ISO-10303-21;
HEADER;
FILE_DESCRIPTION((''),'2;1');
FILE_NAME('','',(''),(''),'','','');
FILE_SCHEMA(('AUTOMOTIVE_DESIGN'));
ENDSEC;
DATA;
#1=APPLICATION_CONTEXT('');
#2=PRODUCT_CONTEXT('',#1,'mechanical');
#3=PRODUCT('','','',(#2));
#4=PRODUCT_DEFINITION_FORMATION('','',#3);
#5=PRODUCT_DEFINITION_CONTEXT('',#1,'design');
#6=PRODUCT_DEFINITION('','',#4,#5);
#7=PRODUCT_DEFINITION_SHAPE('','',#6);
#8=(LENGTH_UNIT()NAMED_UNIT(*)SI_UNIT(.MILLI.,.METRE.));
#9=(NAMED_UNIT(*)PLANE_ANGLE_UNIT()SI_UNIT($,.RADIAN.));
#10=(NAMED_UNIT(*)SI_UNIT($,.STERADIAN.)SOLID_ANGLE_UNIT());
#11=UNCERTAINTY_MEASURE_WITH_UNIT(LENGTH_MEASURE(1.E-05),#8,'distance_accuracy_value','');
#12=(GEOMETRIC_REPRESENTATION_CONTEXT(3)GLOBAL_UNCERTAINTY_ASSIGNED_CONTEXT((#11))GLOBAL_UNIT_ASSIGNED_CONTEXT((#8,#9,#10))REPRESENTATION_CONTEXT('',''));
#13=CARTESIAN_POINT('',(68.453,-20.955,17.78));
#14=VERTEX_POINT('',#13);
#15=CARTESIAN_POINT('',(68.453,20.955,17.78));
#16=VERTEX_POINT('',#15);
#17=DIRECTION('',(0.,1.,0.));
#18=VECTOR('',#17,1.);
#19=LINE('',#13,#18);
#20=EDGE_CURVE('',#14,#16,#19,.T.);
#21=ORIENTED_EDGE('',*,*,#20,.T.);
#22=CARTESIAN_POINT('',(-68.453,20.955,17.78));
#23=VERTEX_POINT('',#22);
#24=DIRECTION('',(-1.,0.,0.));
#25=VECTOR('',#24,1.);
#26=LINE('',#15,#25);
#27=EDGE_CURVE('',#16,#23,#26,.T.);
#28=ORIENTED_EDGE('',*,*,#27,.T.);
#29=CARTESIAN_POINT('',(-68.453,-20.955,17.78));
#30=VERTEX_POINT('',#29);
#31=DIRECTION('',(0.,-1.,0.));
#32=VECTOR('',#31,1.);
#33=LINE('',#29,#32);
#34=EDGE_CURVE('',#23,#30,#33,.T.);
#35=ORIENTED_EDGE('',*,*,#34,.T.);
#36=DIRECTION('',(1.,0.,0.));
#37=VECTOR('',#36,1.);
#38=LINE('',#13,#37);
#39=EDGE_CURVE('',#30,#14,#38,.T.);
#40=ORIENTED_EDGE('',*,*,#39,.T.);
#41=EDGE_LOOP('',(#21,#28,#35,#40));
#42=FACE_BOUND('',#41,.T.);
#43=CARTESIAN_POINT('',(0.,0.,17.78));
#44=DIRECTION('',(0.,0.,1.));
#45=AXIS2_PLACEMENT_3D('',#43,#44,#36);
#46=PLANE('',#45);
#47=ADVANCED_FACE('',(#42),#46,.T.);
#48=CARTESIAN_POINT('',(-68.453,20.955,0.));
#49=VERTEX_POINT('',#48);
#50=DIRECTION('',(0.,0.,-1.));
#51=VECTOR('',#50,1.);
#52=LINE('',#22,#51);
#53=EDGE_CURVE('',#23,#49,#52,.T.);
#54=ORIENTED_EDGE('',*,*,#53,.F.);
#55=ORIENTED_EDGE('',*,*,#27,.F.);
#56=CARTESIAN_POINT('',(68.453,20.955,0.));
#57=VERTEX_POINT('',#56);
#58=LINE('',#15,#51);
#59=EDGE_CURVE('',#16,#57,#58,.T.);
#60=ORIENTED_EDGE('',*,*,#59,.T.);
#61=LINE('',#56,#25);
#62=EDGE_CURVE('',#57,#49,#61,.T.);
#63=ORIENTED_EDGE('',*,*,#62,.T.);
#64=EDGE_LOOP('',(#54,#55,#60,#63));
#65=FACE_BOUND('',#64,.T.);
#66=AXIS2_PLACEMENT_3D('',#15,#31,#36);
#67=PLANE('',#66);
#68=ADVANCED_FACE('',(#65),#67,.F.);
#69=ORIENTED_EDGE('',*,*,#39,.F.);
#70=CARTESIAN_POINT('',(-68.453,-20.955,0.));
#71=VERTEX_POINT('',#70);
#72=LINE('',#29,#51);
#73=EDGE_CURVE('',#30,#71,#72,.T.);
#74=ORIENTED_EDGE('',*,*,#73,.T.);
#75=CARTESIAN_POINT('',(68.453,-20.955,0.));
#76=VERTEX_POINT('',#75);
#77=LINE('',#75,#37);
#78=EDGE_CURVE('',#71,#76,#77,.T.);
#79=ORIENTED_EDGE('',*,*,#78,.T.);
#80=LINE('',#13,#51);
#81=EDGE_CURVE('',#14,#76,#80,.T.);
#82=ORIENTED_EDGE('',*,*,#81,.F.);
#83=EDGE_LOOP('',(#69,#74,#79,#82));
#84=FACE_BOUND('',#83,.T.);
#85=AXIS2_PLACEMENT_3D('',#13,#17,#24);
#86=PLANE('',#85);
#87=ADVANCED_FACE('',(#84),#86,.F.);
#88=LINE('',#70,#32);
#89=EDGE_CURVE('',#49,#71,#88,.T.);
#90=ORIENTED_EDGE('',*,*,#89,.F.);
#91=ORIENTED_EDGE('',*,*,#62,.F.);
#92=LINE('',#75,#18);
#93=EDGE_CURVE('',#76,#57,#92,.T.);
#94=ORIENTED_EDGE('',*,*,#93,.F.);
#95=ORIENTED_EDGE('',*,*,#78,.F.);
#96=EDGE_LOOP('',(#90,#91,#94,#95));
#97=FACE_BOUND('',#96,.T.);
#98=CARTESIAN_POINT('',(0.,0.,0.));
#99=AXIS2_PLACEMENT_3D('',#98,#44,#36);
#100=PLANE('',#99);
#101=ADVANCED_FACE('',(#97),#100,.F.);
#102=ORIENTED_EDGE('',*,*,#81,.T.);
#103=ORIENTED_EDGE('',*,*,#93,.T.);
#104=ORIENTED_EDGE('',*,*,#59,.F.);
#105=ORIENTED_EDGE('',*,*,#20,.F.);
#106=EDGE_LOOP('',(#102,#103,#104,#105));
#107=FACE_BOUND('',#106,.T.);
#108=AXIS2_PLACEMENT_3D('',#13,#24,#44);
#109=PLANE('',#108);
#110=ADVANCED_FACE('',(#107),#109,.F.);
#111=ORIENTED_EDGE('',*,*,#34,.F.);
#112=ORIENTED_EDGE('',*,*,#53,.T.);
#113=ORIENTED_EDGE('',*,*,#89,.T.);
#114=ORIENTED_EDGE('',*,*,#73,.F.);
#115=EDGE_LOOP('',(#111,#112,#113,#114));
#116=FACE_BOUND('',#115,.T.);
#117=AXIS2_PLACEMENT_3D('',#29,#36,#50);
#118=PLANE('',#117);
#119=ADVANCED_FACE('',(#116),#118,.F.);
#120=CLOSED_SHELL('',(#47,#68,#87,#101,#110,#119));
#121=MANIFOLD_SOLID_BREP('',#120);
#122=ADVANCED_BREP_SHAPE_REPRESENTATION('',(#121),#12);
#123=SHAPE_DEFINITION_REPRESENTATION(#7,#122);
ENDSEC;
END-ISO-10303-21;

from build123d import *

# Parameters (mm, degrees)
SKETCH1_W           = 136.906
SKETCH1_H           = 41.91
BOSS_EXTRUDE1_DEPTH = 17.78


with BuildPart() as part:
    # Sketch1 → Boss-Extrude1 (new body)
    with BuildSketch(Plane.XY):
        Rectangle(SKETCH1_W, SKETCH1_H)
    extrude(amount=BOSS_EXTRUDE1_DEPTH)


solid = part.part
